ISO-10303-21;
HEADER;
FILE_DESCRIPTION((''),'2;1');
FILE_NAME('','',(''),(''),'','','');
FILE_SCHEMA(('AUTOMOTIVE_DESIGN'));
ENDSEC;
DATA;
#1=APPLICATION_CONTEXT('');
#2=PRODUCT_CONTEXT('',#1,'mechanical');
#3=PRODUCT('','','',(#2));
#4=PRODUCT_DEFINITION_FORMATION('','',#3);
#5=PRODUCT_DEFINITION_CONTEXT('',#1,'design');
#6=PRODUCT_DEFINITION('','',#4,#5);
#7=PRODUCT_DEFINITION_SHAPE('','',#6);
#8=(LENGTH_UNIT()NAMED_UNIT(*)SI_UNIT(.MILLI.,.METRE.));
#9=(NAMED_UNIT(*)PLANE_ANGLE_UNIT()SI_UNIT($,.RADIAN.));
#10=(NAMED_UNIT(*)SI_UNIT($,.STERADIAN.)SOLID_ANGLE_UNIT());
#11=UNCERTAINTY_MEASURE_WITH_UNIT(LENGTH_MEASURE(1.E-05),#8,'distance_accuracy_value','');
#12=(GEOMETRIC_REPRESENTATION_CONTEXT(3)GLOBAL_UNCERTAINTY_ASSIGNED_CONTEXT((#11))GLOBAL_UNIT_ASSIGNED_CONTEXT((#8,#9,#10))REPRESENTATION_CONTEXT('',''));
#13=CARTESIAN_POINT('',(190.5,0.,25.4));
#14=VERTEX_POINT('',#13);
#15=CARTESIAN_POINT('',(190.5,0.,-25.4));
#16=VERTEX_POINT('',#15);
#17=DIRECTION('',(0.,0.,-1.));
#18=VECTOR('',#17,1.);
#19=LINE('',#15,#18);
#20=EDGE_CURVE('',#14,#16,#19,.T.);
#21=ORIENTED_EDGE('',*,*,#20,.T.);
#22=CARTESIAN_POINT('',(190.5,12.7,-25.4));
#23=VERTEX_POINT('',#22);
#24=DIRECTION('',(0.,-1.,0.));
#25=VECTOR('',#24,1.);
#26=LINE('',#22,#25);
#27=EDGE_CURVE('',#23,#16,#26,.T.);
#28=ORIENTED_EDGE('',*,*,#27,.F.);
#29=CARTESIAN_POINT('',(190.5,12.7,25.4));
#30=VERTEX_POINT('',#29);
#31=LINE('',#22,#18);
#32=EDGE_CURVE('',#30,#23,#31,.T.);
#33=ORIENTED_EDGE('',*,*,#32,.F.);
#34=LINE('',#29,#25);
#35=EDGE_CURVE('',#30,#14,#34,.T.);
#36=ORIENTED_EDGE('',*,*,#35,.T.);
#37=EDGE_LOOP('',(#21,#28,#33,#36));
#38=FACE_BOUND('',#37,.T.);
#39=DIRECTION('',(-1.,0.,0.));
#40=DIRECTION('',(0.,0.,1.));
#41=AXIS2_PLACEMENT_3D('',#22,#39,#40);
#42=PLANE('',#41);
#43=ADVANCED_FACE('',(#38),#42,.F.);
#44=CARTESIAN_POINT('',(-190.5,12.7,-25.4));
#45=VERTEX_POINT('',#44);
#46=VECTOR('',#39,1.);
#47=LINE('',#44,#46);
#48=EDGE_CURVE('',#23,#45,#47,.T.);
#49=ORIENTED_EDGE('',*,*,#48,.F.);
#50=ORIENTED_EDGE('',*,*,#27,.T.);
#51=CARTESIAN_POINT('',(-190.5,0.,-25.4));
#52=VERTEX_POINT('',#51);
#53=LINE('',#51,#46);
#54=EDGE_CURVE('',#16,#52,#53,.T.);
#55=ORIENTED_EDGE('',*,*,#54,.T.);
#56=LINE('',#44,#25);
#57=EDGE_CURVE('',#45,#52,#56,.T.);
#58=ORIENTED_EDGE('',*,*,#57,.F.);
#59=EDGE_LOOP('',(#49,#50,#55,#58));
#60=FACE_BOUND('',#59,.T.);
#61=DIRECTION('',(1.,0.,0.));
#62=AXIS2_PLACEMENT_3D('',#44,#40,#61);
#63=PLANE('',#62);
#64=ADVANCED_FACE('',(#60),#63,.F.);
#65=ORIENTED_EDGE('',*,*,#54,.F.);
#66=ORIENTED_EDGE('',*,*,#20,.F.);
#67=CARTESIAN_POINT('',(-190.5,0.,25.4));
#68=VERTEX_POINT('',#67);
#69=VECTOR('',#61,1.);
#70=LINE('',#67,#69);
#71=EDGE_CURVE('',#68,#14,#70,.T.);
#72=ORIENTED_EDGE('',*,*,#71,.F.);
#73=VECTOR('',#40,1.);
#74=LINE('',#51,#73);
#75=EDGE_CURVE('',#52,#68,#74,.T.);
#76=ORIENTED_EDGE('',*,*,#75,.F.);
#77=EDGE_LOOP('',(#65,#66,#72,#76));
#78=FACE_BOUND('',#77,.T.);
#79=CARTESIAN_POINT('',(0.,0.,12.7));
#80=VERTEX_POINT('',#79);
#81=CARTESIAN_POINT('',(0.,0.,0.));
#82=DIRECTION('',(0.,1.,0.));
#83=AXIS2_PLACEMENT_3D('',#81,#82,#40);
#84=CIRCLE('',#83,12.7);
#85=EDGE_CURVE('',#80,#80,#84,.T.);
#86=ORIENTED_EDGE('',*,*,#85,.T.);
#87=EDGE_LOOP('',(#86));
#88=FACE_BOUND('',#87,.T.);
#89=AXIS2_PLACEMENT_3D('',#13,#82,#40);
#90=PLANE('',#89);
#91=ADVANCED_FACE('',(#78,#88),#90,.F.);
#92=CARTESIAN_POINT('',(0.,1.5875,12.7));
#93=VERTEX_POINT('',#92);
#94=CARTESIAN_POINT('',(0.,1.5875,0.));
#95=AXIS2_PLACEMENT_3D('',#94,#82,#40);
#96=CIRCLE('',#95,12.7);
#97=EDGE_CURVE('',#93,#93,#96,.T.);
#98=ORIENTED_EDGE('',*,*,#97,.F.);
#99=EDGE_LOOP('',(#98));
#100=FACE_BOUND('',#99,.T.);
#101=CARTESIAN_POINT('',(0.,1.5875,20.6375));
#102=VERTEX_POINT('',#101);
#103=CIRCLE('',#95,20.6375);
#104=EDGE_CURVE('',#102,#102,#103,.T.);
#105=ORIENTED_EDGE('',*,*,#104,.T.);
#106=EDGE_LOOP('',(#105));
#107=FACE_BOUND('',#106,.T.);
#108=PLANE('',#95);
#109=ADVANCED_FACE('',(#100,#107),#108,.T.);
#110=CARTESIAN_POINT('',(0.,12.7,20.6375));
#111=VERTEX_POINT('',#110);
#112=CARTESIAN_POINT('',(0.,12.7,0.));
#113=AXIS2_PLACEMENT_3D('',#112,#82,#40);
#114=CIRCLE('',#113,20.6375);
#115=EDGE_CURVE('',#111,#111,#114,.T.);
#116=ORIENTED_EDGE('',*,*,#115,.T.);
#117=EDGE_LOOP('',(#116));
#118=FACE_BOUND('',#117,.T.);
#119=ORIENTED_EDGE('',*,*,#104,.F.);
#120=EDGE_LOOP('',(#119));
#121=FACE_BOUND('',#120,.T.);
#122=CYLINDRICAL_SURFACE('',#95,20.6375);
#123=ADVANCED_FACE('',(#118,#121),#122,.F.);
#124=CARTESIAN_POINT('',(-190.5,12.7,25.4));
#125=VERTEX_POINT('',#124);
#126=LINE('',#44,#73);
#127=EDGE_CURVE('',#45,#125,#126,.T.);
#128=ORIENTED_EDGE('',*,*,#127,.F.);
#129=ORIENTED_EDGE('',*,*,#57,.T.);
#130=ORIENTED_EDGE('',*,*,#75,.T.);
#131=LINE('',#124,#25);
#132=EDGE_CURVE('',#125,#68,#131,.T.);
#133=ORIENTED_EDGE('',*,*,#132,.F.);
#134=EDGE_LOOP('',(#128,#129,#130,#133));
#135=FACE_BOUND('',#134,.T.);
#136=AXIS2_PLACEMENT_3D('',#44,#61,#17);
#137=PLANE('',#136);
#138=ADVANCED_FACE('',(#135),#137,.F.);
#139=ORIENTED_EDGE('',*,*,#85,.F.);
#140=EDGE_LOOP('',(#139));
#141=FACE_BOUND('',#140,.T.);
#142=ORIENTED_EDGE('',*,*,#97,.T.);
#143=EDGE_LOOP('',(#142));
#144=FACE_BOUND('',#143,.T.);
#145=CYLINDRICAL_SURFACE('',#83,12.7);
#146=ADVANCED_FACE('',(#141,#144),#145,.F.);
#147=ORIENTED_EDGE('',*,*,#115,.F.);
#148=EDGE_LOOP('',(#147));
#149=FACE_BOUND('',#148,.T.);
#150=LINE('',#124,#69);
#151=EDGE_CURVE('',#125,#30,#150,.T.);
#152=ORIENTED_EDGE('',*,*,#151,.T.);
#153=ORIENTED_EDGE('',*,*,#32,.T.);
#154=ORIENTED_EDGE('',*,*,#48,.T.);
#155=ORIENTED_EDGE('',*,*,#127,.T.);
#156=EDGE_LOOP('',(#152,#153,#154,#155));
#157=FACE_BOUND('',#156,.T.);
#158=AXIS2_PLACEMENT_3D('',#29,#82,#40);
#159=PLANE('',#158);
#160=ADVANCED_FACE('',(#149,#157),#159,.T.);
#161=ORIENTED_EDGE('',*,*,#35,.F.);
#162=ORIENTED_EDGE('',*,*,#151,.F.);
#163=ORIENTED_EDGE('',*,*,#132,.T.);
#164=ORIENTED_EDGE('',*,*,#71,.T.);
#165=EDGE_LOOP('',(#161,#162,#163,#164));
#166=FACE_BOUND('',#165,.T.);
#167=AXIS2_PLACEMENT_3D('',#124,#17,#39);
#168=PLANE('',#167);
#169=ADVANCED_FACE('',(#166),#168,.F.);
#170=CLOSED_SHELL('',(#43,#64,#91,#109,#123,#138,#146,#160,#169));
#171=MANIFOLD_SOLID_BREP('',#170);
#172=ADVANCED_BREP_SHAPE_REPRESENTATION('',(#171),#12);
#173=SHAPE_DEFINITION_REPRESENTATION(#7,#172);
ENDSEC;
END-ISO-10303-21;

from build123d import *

# Parameters (mm, degrees)
SKETCH1_W           = 381
SKETCH1_H           = 50.8
BOSS_EXTRUDE1_DEPTH = 12.7
SKETCH2_R           = 20.6375
CUT_EXTRUDE1_DEPTH  = 11.1125
SKETCH3_R           = 12.7
CUT_EXTRUDE2_DEPTH  = 193.506876906


with BuildPart() as part:
    # Sketch1 → Boss-Extrude1 (new body)
    with BuildSketch(Plane(origin=(0, 0, 0), x_dir=(1, 0, 0), z_dir=(0, 1, 0))):
        Rectangle(SKETCH1_W, SKETCH1_H)
    extrude(amount=BOSS_EXTRUDE1_DEPTH)

    # Sketch2 → Cut-Extrude1 (cut)
    with BuildSketch(Plane(origin=(0, 12.7, 0), x_dir=(1, 0, 0), z_dir=(0, 1, 0))):
        with Locations(Location((0, 0, 0), (0, 0, 270))):
            Circle(SKETCH2_R)
    extrude(amount=-CUT_EXTRUDE1_DEPTH, mode=Mode.SUBTRACT)

    # Sketch3 → Cut-Extrude2 (cut, through all)
    with BuildSketch(Plane(origin=(0, 1.5875, 0), x_dir=(1, 0, 0), z_dir=(0, 1, 0))):
        with Locations(Location((0, 0, 0), (0, 0, 270))):
            Circle(SKETCH3_R)
    extrude(amount=-CUT_EXTRUDE2_DEPTH, mode=Mode.SUBTRACT)


solid = part.part
